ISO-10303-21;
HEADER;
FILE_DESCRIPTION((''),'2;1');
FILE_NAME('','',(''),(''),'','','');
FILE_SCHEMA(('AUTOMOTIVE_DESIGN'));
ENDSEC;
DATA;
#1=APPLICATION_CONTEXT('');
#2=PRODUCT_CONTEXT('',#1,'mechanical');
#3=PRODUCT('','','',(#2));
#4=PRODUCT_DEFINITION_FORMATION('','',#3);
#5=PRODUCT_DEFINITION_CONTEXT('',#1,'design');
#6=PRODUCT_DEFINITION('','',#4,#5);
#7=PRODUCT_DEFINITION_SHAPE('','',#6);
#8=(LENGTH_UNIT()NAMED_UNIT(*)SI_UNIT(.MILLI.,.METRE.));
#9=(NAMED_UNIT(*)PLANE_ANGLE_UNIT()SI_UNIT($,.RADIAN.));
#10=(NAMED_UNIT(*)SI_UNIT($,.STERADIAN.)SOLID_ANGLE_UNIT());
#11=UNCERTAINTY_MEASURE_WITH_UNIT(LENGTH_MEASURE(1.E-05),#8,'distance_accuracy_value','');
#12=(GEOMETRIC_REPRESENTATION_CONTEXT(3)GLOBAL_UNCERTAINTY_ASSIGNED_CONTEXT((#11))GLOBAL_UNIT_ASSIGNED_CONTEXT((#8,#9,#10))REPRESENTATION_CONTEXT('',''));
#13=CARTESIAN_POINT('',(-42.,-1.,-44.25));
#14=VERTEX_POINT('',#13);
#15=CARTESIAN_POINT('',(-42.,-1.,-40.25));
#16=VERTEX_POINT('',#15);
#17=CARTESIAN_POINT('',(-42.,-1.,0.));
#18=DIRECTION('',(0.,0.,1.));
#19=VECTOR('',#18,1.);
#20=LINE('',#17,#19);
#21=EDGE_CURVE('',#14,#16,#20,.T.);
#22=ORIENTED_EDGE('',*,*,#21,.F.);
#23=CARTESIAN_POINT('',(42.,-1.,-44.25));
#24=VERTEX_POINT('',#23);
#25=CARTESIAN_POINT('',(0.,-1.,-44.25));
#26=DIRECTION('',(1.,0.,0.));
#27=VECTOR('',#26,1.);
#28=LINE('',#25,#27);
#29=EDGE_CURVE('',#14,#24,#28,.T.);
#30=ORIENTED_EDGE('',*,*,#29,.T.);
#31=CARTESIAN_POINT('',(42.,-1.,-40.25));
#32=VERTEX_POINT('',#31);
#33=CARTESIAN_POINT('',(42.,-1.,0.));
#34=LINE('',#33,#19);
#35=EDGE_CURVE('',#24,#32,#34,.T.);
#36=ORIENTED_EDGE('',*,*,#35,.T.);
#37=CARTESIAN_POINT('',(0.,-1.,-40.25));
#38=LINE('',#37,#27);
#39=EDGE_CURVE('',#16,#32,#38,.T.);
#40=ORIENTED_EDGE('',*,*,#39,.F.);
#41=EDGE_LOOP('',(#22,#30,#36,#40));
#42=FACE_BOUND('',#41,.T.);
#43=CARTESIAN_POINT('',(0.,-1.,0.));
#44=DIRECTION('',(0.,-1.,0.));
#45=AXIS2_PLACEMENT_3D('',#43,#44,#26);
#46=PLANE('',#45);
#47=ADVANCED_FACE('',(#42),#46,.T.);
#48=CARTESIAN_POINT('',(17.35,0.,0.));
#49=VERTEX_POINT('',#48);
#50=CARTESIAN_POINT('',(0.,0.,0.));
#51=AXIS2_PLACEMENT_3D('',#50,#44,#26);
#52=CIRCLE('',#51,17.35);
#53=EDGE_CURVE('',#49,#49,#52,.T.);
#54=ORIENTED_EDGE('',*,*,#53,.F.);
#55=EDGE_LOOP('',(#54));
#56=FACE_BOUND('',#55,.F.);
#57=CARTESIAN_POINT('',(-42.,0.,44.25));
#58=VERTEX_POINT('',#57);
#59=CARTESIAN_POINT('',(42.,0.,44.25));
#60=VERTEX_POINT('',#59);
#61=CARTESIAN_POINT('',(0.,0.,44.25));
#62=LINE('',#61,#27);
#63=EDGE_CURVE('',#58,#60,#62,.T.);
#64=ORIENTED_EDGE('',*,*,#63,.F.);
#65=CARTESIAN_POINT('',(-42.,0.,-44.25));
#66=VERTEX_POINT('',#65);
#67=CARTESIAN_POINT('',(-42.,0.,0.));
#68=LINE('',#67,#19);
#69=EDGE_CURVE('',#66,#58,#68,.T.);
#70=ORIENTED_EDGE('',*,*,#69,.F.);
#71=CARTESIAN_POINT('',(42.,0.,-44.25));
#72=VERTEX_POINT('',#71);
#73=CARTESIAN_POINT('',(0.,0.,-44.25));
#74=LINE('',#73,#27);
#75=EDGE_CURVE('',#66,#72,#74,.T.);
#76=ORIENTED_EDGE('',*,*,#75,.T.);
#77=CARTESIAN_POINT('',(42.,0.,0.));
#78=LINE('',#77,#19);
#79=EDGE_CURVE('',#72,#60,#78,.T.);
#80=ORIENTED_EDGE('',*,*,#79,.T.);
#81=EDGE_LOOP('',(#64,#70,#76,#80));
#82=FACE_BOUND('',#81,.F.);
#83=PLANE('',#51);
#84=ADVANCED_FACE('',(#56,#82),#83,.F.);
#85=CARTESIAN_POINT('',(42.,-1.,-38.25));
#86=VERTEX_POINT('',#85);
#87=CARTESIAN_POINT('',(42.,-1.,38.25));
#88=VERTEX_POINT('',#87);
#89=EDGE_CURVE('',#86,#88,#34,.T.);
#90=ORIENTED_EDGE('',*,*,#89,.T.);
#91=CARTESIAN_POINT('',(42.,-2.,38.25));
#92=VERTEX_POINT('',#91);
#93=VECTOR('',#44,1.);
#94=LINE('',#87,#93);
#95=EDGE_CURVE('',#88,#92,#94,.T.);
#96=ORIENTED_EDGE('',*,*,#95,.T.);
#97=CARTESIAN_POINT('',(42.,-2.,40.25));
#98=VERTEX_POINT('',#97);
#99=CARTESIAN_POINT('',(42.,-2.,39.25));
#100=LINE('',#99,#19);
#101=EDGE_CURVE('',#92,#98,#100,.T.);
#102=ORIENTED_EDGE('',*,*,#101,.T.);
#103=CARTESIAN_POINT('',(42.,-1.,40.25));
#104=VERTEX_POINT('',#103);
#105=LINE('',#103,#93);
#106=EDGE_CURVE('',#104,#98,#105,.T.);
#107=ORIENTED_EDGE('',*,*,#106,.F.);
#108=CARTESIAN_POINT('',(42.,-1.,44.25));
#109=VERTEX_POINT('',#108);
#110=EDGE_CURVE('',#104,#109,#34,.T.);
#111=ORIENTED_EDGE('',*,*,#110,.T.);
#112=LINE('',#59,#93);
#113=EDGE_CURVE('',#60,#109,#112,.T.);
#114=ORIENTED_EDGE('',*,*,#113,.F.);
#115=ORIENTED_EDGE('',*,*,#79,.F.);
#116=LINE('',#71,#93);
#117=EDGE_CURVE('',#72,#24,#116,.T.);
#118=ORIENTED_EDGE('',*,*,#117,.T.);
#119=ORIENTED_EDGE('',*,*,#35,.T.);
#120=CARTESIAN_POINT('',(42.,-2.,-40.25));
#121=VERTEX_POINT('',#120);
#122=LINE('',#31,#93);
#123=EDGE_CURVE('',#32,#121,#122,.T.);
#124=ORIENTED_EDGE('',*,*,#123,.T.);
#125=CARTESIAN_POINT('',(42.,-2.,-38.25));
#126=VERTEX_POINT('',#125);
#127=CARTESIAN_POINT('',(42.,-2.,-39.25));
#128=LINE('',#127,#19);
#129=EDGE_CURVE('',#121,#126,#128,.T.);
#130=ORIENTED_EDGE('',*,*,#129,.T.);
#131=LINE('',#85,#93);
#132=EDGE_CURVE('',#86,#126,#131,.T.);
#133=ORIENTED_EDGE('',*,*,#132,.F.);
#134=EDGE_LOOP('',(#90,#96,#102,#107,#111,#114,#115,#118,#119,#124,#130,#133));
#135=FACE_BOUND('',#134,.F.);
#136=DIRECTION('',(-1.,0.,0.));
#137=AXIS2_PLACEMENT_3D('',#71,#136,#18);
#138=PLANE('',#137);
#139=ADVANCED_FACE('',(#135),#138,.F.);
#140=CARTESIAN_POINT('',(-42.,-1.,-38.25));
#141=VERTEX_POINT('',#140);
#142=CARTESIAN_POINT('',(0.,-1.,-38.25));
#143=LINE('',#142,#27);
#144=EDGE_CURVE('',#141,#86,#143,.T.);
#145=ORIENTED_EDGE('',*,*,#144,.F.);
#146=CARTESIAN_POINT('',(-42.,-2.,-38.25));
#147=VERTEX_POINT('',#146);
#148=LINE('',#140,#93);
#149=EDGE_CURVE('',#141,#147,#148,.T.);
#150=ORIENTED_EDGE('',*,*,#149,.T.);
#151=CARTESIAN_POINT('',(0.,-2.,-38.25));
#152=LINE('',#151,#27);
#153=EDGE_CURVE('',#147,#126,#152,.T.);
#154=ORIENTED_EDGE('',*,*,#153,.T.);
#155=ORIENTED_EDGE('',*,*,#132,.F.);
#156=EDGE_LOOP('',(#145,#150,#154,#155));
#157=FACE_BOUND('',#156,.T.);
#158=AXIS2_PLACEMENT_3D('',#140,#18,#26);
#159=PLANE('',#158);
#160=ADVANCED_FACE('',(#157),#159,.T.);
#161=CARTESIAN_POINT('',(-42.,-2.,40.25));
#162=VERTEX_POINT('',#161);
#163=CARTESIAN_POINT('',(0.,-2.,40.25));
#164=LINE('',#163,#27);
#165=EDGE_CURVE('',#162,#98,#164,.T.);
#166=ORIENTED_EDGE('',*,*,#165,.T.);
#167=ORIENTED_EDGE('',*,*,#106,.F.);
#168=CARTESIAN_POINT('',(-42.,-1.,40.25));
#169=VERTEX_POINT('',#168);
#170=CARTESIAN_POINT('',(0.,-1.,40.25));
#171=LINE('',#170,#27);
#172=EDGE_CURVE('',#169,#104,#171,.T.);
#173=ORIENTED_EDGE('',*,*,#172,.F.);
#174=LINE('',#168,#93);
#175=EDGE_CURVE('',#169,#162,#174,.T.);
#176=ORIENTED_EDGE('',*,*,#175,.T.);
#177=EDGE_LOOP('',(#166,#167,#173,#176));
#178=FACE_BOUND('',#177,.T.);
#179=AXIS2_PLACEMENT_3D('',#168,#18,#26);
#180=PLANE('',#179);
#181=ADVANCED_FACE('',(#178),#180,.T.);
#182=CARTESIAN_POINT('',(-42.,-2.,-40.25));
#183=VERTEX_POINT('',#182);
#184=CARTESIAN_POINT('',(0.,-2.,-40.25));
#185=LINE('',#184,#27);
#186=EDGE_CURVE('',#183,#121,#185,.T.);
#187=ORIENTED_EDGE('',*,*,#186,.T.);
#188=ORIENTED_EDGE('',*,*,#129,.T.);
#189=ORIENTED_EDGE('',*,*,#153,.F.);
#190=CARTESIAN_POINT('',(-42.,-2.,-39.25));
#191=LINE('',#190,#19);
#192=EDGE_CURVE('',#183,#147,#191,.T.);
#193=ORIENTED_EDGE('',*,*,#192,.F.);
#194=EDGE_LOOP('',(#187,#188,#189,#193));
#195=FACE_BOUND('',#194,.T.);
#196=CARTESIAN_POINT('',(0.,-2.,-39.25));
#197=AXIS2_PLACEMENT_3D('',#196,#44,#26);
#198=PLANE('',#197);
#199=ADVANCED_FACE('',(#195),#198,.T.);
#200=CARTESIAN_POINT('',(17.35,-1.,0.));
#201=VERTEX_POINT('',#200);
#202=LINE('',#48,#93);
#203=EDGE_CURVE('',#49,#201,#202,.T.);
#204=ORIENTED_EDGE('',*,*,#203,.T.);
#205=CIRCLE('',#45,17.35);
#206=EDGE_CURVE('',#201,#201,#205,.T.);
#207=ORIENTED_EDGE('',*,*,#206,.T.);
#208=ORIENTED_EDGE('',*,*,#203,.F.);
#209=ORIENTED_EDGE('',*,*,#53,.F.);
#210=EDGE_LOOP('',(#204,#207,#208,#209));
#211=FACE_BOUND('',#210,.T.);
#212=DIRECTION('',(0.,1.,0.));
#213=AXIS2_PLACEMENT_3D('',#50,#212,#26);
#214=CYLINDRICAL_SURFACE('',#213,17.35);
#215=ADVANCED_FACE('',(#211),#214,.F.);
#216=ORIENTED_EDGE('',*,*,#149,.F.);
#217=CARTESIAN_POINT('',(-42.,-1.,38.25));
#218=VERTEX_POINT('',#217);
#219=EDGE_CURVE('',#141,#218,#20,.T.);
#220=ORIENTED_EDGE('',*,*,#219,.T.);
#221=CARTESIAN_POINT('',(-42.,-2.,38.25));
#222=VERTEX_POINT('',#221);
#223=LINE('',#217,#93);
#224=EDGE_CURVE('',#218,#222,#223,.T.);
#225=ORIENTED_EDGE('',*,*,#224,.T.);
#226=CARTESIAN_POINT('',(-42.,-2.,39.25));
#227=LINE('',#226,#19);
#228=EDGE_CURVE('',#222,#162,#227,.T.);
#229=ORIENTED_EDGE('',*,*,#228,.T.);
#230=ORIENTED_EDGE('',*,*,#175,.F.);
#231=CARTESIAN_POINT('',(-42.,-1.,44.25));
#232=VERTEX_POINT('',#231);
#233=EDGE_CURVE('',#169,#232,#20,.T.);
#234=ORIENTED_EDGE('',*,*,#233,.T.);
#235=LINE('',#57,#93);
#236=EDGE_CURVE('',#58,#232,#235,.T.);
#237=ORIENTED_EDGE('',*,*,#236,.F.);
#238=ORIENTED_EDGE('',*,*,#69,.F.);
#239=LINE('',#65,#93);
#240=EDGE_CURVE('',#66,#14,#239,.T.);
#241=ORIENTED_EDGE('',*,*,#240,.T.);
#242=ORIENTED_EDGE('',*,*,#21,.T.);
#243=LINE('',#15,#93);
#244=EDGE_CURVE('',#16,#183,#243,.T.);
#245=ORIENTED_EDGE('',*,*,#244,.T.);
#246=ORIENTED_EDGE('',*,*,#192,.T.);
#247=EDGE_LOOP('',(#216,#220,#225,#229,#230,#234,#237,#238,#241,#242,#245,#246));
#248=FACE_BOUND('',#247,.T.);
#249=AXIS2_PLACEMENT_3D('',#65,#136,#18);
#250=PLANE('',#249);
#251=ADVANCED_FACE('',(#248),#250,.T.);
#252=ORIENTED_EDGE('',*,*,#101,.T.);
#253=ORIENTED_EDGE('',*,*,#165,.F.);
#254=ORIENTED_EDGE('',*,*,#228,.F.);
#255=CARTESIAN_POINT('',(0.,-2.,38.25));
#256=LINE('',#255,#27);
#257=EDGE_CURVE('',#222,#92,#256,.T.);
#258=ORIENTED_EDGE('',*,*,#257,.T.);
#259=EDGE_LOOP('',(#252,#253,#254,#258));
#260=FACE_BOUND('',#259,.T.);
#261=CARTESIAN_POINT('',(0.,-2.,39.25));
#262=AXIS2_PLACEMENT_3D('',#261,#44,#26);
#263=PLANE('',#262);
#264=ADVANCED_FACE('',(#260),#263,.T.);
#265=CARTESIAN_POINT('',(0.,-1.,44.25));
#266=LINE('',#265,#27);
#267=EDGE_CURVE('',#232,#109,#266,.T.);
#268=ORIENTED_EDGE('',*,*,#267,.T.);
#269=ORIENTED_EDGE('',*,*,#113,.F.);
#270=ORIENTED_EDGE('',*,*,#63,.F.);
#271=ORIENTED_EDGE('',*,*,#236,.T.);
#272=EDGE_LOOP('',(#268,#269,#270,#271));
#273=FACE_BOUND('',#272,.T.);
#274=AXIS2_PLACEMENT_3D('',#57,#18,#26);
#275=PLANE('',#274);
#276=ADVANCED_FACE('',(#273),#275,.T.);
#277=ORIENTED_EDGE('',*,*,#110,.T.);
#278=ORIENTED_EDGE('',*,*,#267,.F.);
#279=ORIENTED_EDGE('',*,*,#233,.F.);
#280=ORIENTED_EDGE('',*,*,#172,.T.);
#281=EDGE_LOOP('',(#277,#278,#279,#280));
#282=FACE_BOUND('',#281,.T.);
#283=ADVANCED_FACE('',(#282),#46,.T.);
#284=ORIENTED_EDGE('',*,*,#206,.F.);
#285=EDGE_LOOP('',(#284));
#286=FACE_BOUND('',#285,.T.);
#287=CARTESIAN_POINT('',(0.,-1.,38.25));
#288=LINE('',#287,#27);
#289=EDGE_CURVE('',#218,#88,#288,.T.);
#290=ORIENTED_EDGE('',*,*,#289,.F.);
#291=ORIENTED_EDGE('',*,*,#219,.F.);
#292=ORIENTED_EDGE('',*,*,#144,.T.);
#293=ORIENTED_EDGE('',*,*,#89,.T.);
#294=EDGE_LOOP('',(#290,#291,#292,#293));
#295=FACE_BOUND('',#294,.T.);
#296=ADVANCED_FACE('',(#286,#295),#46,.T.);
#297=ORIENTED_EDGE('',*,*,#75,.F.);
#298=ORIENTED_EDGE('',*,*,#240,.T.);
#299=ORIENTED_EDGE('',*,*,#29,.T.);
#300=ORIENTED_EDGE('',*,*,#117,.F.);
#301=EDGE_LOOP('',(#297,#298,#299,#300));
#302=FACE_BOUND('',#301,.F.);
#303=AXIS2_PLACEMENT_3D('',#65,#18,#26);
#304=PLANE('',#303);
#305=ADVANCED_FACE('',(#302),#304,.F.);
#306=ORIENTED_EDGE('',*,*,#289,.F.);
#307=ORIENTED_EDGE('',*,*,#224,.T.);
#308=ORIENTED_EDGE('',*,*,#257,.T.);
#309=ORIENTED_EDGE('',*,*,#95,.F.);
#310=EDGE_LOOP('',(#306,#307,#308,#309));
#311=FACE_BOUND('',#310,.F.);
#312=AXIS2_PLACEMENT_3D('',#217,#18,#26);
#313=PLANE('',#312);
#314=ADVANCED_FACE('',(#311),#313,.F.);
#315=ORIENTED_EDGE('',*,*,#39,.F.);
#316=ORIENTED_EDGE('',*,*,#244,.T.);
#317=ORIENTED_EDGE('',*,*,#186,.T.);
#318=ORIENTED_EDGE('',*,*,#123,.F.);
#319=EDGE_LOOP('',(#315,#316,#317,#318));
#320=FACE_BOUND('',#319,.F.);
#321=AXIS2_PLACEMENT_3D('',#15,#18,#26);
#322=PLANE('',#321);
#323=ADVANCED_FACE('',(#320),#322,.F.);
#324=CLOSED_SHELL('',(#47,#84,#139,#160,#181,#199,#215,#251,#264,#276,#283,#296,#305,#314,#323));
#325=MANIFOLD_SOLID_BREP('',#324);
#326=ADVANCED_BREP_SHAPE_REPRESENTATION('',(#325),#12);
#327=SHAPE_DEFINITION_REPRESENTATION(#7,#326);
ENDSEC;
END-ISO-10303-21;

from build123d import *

# Parameters (mm, degrees)
F0_W     = 84
F0_H     = 88.5
F0_R     = 17.35
F1_DEPTH = 1
F2_W     = 84
F2_H     = 2
F3_DEPTH = 1


with BuildPart() as f1:
    # F0 (on Front) → F1 (new body)
    with BuildSketch(Plane.XZ):
        Rectangle(F0_W, F0_H)
        Circle(F0_R, mode=Mode.SUBTRACT)
    extrude(amount=F1_DEPTH)

    # F2 (on face) → F3 (join)
    with BuildSketch(Plane.XZ.offset(1)):
        with Locations((0, 39.25)):
            Rectangle(F2_W, F2_H)
        with Locations((0, -39.25)):
            Rectangle(F2_W, F2_H)
    extrude(amount=F3_DEPTH)


solid = f1.part
